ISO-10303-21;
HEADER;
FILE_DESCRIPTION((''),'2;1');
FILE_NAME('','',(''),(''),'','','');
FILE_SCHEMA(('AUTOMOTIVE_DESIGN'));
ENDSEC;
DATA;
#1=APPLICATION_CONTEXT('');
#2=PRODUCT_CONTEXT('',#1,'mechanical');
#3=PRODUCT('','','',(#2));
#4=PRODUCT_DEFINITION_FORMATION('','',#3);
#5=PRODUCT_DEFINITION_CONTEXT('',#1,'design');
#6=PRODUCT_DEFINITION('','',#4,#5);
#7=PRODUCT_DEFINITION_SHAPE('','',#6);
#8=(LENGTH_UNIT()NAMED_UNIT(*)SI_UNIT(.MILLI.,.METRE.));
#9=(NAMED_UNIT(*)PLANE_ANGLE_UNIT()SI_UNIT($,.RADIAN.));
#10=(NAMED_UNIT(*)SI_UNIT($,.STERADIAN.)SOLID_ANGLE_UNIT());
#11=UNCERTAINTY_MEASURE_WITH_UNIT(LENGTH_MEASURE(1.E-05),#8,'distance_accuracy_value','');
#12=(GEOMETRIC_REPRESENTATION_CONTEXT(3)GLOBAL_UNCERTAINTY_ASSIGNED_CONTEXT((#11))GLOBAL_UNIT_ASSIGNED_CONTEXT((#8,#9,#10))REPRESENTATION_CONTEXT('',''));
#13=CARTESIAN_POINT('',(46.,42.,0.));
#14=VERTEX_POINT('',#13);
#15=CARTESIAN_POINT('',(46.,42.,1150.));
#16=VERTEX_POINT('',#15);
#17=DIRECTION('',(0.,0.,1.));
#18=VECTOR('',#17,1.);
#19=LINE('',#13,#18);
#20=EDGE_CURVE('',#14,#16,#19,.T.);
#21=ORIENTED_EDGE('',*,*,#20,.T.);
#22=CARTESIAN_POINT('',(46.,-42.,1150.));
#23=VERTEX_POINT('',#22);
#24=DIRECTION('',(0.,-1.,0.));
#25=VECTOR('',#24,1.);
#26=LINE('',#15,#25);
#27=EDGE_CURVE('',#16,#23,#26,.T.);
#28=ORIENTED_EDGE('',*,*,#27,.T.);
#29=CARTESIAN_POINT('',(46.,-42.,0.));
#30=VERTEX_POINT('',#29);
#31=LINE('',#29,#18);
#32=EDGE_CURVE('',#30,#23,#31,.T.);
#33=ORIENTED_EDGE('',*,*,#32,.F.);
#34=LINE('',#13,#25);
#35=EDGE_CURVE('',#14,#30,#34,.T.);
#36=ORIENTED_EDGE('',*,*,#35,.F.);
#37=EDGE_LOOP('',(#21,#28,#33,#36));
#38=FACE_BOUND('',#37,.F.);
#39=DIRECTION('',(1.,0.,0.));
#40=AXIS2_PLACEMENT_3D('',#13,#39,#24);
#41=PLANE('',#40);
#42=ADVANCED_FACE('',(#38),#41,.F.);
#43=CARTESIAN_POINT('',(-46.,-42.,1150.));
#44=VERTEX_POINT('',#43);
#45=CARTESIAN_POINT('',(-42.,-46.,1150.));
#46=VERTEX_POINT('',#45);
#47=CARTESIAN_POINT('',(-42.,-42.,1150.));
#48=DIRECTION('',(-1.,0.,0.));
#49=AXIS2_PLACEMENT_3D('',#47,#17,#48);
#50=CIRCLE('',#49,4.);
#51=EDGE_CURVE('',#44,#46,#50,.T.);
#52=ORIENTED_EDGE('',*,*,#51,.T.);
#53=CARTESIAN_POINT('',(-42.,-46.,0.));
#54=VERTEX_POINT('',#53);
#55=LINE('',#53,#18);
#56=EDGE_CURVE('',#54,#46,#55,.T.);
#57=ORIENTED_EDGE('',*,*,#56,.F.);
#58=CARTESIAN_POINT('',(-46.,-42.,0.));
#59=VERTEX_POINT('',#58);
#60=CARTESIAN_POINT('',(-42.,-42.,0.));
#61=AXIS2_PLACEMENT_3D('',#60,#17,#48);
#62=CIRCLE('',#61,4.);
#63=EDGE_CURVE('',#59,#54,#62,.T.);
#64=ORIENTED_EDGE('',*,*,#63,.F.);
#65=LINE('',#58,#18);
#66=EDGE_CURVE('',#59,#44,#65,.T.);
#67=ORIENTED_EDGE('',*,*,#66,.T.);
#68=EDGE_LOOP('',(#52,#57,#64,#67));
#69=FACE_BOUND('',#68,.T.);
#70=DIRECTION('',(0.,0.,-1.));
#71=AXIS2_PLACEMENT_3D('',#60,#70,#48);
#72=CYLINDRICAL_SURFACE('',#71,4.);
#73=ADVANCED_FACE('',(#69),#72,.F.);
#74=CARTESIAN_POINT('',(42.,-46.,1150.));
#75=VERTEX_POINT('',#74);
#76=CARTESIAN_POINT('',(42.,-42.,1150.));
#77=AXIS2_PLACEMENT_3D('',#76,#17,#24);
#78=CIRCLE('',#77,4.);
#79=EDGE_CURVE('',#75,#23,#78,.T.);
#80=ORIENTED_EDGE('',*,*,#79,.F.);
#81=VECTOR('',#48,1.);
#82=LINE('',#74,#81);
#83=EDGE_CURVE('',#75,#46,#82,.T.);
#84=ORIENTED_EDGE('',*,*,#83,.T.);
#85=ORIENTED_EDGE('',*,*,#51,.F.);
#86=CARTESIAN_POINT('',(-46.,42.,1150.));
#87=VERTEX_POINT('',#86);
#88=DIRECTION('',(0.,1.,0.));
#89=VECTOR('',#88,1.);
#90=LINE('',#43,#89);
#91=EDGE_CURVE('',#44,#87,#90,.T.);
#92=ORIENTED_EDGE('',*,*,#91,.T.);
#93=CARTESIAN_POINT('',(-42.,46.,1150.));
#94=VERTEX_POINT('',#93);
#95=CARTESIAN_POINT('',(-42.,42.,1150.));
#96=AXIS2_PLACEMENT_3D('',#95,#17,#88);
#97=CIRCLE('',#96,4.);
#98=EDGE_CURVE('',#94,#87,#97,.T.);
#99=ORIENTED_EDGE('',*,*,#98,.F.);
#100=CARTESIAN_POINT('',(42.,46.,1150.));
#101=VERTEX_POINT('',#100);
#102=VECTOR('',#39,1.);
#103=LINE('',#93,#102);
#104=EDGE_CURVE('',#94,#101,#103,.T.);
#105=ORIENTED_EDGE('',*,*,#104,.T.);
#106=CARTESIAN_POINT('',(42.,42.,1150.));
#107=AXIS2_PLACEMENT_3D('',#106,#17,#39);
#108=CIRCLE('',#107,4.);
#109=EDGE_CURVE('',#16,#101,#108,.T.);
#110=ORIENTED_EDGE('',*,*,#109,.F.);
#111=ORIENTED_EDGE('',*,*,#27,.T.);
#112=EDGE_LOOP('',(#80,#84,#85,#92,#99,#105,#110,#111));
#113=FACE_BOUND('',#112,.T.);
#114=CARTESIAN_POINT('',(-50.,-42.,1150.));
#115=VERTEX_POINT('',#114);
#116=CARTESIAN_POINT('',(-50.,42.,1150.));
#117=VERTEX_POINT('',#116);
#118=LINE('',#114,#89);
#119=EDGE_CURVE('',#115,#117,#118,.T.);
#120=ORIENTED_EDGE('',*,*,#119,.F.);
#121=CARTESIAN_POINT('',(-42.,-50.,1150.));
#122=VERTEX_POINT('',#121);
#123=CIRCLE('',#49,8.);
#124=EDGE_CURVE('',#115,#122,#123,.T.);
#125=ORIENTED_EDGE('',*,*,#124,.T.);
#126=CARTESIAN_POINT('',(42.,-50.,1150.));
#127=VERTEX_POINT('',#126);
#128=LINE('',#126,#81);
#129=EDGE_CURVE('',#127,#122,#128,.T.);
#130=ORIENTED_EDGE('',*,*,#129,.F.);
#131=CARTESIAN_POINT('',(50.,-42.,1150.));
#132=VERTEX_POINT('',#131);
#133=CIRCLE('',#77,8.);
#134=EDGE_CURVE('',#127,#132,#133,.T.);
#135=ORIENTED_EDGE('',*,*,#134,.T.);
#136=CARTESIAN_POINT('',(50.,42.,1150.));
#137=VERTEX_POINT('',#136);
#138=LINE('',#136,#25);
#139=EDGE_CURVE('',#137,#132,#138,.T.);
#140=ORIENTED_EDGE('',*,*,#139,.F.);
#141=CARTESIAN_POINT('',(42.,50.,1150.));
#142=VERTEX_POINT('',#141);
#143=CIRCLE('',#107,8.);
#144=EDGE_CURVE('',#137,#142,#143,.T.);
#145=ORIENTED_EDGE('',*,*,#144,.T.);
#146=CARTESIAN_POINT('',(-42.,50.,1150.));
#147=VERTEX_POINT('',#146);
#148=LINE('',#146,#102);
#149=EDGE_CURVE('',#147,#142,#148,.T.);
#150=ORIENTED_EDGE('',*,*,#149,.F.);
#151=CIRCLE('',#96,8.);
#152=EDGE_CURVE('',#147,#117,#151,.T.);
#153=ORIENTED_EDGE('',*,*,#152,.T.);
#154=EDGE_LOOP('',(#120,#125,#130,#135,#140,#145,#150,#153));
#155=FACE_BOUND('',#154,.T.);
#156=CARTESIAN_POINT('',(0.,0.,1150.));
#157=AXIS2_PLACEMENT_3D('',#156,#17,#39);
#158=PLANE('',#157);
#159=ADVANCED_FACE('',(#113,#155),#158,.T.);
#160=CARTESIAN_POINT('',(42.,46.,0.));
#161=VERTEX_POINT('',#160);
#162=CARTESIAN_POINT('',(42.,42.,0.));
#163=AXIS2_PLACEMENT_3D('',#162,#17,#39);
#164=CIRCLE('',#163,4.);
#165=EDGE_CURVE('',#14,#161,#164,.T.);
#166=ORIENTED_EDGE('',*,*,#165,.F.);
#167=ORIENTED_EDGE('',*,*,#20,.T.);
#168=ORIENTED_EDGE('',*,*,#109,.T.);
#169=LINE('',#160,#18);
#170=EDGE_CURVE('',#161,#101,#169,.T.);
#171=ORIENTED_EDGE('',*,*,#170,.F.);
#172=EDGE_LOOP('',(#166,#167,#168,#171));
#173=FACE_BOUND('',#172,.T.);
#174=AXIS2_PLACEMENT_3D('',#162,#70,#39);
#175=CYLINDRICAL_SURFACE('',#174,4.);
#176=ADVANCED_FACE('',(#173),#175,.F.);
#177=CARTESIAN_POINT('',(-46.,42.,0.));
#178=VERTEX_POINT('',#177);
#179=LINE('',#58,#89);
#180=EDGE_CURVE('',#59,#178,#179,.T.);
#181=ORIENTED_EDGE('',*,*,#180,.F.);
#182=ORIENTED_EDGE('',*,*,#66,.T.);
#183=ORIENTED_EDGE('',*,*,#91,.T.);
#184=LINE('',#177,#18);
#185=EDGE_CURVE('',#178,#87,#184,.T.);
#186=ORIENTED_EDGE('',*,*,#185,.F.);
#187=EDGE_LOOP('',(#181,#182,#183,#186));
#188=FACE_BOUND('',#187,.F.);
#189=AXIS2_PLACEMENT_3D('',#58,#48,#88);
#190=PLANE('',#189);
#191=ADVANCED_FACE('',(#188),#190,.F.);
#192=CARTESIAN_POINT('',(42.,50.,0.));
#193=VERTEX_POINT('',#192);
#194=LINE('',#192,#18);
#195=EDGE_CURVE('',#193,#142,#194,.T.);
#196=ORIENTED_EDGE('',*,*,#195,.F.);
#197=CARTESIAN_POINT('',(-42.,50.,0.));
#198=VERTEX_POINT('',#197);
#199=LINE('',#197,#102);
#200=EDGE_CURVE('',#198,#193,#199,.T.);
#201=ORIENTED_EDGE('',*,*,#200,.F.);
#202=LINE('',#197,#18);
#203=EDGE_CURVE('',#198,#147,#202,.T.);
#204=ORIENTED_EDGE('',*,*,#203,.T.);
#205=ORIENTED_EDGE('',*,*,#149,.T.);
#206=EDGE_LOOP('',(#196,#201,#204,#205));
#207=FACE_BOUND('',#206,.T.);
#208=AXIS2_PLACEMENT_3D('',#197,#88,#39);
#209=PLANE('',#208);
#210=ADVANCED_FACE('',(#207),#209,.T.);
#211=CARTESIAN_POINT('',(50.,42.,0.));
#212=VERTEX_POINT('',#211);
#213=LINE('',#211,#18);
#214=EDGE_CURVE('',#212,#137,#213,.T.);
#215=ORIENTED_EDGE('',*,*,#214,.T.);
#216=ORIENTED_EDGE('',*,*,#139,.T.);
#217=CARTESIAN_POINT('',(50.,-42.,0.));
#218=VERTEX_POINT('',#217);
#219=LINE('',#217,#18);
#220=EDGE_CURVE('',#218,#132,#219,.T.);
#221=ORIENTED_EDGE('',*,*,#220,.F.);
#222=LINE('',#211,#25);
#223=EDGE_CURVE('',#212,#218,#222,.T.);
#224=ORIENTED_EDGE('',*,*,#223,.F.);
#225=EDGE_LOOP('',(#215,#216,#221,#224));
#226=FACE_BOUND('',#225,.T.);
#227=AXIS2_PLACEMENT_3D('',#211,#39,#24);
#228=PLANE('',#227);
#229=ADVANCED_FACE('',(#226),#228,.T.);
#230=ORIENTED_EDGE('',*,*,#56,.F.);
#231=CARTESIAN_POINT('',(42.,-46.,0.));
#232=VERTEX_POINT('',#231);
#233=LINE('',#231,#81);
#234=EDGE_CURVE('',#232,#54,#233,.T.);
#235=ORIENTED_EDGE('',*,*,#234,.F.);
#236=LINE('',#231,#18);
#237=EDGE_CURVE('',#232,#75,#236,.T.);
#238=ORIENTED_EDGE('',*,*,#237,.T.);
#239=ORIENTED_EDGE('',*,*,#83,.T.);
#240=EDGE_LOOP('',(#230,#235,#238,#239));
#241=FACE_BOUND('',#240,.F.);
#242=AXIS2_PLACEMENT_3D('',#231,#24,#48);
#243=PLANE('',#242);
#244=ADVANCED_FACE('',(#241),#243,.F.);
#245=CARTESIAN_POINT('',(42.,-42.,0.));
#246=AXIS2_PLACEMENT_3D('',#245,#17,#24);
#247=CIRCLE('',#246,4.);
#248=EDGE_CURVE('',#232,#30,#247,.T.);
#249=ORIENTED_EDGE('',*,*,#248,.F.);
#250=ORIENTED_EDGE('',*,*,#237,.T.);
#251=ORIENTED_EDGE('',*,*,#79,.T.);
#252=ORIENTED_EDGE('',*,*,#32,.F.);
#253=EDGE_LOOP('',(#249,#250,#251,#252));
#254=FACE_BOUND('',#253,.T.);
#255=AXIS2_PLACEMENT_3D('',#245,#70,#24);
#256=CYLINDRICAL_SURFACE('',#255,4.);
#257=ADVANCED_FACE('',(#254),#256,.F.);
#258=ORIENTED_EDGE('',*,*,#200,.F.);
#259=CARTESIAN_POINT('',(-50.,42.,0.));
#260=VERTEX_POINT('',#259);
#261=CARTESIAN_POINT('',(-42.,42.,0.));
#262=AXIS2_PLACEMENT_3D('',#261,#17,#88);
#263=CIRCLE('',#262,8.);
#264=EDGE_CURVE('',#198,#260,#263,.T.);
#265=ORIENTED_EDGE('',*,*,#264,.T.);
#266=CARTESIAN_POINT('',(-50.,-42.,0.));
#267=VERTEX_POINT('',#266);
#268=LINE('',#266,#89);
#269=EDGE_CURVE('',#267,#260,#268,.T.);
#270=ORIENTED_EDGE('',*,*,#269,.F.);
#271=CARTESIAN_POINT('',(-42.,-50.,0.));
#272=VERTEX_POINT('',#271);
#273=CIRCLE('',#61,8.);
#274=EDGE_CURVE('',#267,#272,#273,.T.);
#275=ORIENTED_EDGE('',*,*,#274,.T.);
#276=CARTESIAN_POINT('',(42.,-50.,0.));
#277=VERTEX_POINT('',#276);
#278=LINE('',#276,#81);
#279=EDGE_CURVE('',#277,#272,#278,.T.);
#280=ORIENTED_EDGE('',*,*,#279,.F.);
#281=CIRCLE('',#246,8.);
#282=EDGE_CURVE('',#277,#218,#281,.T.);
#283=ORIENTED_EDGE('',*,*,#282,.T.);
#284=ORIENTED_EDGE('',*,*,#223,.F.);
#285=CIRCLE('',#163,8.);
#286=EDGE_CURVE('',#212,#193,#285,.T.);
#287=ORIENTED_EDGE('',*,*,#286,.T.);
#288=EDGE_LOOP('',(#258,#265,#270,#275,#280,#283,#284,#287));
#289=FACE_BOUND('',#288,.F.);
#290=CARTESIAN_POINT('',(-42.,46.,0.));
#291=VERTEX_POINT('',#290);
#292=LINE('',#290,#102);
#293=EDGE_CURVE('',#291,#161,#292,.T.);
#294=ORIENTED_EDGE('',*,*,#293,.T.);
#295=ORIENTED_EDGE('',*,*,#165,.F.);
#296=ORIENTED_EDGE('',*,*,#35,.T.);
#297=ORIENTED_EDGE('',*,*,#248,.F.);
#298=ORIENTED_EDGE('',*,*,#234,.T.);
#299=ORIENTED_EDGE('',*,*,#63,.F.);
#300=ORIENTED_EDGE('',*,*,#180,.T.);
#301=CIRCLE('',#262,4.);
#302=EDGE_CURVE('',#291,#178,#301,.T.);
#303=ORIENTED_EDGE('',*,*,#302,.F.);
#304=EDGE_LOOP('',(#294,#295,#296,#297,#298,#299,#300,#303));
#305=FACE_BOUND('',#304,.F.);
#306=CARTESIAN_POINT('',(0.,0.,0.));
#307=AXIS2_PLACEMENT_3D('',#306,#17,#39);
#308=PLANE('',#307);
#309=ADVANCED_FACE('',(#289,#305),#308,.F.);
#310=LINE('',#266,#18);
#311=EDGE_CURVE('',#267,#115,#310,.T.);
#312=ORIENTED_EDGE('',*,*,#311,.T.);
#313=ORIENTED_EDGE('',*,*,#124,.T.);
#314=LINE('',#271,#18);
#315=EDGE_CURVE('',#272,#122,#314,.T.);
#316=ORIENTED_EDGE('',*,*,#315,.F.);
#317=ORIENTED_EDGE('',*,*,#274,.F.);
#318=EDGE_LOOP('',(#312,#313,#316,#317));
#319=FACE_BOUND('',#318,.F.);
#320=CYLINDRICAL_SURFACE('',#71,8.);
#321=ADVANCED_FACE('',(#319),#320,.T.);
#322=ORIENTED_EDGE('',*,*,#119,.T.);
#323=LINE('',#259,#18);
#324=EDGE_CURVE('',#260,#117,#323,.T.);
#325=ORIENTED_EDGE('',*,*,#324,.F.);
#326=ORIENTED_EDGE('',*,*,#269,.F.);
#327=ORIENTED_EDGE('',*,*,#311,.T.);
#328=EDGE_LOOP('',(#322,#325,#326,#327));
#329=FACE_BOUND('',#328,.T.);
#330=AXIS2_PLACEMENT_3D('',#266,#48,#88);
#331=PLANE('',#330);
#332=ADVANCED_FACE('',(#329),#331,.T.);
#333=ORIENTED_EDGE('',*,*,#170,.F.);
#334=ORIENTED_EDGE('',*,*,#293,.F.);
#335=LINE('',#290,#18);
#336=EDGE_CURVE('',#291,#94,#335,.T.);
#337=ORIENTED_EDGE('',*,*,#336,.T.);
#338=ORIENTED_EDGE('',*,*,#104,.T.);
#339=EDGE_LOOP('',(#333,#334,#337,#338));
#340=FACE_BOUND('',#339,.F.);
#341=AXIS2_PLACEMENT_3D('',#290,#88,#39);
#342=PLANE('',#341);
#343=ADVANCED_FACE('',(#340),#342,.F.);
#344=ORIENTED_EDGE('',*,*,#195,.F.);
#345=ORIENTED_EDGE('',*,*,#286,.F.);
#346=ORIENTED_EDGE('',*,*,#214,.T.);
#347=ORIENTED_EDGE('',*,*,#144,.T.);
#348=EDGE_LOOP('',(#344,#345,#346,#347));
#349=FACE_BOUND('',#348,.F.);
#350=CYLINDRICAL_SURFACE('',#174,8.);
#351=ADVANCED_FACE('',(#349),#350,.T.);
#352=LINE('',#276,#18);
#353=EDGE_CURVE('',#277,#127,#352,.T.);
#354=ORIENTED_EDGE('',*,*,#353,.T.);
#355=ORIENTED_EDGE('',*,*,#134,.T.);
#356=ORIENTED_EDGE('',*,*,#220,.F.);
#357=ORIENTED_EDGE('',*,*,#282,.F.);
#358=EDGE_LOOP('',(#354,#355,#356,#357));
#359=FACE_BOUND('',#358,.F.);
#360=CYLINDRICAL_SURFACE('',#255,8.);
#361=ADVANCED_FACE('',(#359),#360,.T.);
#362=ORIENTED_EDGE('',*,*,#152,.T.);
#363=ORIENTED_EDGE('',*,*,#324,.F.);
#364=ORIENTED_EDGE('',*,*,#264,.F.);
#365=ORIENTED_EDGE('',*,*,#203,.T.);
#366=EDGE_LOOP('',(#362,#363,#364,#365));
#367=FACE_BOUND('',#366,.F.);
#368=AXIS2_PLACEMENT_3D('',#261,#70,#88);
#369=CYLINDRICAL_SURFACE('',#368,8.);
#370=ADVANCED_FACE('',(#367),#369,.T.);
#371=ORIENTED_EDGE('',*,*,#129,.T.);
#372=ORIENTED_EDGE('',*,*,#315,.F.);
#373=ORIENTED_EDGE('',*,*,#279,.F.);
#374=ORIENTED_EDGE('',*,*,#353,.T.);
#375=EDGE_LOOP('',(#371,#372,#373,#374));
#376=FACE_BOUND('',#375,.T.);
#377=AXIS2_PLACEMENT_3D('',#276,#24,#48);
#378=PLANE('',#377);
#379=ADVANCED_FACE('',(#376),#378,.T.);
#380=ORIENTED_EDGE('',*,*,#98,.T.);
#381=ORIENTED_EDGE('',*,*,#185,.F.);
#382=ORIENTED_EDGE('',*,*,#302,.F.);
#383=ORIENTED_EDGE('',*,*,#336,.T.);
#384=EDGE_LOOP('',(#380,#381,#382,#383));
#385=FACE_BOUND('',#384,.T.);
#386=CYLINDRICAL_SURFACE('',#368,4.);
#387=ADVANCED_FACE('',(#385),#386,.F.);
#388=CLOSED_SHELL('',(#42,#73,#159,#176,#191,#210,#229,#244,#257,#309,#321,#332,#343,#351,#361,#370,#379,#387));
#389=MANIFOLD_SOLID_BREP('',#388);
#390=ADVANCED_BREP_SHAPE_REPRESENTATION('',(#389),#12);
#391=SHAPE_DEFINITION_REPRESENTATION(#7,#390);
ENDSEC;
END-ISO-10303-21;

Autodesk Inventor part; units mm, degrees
ref_plane "YZ Plane" through (0, 0, 0) normal (1, 0, 0) x (0, 1, 0)
ref_plane "Start Plane" through (0, 0, 0) normal (0, 0, 1) x (1, 0, 0)
ref_plane "End Plane" through (0, 0, 1150) normal (0, 0, 1) x (1, 0, 0)
sketch "Sketch" plane through (0, 0, 0) normal (0, 0, 1) x (1, 0, 0)
  line L0 (-50, -42) -> (-50, 42)
  line L1 (-42, 50) -> (42, 50)
  line L2 (50, 42) -> (50, -42)
  line L3 (42, -50) -> (-42, -50)
  arc A0 (-50, -42) -> (-42, -50) centre (-42, -42) ccw
  arc A1 (50, 42) -> (42, 50) centre (42, 42) ccw
  arc A2 (-42, 50) -> (-50, 42) centre (-42, 42) ccw
  arc A3 (42, -50) -> (50, -42) centre (42, -42) ccw
  arc A4 (-42, 46) -> (-46, 42) centre (-42, 42) ccw
  line L4 (-42, 46) -> (42, 46)
  arc A5 (46, 42) -> (42, 46) centre (42, 42) ccw
  line L5 (46, 42) -> (46, -42)
  arc A6 (42, -46) -> (46, -42) centre (42, -42) ccw
  line L6 (42, -46) -> (-42, -46)
  arc A7 (-46, -42) -> (-42, -46) centre (-42, -42) ccw
  line L7 (-46, -42) -> (-46, 42)
  line L8 (0, 72.3196) -> (0, -72.3196) construction
  line L9 (-72.3196, 0) -> (72.3196, 0) construction
  dimension "d7" = 8
  dimension "d9" = 100
  dimension "d11" = 100
  dimension "d12" = 4
  dimension "d15" = 50
  dimension "d16" = 50
extrude "Body" add sketch "Sketch" along normal up to surface (1150 mm away) from surface at 0
sketch "Sketch3" plane through (0, 0, 0) normal (0, 0, 1) x (1, 0, 0)
  line L0 (0, 0) -> (10, 0)
ref_plane "Work Plane3" through (0, 0, 0) normal (0, -1, 0) x (1, 0, 0)
sketch "Sketch4" plane through (0, 0, 0) normal (0, -1, 0) x (1, 0, 0)
  line L0 (-2, 0) -> (12, 0) projected
  line L1 (-2, 1150) -> (12, 1150) projected
  dimension "d18" = 1150
equation "\"d7\" = G_IR"
equation "\"d9\" = G_W"
equation "\"d11\" = G_H"
equation "\"d12\" = G_T"
equation "\"d15\" = 0.5 * d9"
equation "\"d16\" = 0.5 * d11"
equation "\"d3\" = G_L"
equation "\"G_W\" = 100"
equation "\"G_H\" = 100"
equation "\"G_T\" = 4"
equation "\"G_IR\" = 8"
equation "\"G_L\" = d18"
equation "\"G_OFFSET_START\" = 0"
equation "\"G_OFFSET_END\" = 0"
properties part number "ISO 10799-2 - 100x100x4 - 1150" material "Steel, Mild"
